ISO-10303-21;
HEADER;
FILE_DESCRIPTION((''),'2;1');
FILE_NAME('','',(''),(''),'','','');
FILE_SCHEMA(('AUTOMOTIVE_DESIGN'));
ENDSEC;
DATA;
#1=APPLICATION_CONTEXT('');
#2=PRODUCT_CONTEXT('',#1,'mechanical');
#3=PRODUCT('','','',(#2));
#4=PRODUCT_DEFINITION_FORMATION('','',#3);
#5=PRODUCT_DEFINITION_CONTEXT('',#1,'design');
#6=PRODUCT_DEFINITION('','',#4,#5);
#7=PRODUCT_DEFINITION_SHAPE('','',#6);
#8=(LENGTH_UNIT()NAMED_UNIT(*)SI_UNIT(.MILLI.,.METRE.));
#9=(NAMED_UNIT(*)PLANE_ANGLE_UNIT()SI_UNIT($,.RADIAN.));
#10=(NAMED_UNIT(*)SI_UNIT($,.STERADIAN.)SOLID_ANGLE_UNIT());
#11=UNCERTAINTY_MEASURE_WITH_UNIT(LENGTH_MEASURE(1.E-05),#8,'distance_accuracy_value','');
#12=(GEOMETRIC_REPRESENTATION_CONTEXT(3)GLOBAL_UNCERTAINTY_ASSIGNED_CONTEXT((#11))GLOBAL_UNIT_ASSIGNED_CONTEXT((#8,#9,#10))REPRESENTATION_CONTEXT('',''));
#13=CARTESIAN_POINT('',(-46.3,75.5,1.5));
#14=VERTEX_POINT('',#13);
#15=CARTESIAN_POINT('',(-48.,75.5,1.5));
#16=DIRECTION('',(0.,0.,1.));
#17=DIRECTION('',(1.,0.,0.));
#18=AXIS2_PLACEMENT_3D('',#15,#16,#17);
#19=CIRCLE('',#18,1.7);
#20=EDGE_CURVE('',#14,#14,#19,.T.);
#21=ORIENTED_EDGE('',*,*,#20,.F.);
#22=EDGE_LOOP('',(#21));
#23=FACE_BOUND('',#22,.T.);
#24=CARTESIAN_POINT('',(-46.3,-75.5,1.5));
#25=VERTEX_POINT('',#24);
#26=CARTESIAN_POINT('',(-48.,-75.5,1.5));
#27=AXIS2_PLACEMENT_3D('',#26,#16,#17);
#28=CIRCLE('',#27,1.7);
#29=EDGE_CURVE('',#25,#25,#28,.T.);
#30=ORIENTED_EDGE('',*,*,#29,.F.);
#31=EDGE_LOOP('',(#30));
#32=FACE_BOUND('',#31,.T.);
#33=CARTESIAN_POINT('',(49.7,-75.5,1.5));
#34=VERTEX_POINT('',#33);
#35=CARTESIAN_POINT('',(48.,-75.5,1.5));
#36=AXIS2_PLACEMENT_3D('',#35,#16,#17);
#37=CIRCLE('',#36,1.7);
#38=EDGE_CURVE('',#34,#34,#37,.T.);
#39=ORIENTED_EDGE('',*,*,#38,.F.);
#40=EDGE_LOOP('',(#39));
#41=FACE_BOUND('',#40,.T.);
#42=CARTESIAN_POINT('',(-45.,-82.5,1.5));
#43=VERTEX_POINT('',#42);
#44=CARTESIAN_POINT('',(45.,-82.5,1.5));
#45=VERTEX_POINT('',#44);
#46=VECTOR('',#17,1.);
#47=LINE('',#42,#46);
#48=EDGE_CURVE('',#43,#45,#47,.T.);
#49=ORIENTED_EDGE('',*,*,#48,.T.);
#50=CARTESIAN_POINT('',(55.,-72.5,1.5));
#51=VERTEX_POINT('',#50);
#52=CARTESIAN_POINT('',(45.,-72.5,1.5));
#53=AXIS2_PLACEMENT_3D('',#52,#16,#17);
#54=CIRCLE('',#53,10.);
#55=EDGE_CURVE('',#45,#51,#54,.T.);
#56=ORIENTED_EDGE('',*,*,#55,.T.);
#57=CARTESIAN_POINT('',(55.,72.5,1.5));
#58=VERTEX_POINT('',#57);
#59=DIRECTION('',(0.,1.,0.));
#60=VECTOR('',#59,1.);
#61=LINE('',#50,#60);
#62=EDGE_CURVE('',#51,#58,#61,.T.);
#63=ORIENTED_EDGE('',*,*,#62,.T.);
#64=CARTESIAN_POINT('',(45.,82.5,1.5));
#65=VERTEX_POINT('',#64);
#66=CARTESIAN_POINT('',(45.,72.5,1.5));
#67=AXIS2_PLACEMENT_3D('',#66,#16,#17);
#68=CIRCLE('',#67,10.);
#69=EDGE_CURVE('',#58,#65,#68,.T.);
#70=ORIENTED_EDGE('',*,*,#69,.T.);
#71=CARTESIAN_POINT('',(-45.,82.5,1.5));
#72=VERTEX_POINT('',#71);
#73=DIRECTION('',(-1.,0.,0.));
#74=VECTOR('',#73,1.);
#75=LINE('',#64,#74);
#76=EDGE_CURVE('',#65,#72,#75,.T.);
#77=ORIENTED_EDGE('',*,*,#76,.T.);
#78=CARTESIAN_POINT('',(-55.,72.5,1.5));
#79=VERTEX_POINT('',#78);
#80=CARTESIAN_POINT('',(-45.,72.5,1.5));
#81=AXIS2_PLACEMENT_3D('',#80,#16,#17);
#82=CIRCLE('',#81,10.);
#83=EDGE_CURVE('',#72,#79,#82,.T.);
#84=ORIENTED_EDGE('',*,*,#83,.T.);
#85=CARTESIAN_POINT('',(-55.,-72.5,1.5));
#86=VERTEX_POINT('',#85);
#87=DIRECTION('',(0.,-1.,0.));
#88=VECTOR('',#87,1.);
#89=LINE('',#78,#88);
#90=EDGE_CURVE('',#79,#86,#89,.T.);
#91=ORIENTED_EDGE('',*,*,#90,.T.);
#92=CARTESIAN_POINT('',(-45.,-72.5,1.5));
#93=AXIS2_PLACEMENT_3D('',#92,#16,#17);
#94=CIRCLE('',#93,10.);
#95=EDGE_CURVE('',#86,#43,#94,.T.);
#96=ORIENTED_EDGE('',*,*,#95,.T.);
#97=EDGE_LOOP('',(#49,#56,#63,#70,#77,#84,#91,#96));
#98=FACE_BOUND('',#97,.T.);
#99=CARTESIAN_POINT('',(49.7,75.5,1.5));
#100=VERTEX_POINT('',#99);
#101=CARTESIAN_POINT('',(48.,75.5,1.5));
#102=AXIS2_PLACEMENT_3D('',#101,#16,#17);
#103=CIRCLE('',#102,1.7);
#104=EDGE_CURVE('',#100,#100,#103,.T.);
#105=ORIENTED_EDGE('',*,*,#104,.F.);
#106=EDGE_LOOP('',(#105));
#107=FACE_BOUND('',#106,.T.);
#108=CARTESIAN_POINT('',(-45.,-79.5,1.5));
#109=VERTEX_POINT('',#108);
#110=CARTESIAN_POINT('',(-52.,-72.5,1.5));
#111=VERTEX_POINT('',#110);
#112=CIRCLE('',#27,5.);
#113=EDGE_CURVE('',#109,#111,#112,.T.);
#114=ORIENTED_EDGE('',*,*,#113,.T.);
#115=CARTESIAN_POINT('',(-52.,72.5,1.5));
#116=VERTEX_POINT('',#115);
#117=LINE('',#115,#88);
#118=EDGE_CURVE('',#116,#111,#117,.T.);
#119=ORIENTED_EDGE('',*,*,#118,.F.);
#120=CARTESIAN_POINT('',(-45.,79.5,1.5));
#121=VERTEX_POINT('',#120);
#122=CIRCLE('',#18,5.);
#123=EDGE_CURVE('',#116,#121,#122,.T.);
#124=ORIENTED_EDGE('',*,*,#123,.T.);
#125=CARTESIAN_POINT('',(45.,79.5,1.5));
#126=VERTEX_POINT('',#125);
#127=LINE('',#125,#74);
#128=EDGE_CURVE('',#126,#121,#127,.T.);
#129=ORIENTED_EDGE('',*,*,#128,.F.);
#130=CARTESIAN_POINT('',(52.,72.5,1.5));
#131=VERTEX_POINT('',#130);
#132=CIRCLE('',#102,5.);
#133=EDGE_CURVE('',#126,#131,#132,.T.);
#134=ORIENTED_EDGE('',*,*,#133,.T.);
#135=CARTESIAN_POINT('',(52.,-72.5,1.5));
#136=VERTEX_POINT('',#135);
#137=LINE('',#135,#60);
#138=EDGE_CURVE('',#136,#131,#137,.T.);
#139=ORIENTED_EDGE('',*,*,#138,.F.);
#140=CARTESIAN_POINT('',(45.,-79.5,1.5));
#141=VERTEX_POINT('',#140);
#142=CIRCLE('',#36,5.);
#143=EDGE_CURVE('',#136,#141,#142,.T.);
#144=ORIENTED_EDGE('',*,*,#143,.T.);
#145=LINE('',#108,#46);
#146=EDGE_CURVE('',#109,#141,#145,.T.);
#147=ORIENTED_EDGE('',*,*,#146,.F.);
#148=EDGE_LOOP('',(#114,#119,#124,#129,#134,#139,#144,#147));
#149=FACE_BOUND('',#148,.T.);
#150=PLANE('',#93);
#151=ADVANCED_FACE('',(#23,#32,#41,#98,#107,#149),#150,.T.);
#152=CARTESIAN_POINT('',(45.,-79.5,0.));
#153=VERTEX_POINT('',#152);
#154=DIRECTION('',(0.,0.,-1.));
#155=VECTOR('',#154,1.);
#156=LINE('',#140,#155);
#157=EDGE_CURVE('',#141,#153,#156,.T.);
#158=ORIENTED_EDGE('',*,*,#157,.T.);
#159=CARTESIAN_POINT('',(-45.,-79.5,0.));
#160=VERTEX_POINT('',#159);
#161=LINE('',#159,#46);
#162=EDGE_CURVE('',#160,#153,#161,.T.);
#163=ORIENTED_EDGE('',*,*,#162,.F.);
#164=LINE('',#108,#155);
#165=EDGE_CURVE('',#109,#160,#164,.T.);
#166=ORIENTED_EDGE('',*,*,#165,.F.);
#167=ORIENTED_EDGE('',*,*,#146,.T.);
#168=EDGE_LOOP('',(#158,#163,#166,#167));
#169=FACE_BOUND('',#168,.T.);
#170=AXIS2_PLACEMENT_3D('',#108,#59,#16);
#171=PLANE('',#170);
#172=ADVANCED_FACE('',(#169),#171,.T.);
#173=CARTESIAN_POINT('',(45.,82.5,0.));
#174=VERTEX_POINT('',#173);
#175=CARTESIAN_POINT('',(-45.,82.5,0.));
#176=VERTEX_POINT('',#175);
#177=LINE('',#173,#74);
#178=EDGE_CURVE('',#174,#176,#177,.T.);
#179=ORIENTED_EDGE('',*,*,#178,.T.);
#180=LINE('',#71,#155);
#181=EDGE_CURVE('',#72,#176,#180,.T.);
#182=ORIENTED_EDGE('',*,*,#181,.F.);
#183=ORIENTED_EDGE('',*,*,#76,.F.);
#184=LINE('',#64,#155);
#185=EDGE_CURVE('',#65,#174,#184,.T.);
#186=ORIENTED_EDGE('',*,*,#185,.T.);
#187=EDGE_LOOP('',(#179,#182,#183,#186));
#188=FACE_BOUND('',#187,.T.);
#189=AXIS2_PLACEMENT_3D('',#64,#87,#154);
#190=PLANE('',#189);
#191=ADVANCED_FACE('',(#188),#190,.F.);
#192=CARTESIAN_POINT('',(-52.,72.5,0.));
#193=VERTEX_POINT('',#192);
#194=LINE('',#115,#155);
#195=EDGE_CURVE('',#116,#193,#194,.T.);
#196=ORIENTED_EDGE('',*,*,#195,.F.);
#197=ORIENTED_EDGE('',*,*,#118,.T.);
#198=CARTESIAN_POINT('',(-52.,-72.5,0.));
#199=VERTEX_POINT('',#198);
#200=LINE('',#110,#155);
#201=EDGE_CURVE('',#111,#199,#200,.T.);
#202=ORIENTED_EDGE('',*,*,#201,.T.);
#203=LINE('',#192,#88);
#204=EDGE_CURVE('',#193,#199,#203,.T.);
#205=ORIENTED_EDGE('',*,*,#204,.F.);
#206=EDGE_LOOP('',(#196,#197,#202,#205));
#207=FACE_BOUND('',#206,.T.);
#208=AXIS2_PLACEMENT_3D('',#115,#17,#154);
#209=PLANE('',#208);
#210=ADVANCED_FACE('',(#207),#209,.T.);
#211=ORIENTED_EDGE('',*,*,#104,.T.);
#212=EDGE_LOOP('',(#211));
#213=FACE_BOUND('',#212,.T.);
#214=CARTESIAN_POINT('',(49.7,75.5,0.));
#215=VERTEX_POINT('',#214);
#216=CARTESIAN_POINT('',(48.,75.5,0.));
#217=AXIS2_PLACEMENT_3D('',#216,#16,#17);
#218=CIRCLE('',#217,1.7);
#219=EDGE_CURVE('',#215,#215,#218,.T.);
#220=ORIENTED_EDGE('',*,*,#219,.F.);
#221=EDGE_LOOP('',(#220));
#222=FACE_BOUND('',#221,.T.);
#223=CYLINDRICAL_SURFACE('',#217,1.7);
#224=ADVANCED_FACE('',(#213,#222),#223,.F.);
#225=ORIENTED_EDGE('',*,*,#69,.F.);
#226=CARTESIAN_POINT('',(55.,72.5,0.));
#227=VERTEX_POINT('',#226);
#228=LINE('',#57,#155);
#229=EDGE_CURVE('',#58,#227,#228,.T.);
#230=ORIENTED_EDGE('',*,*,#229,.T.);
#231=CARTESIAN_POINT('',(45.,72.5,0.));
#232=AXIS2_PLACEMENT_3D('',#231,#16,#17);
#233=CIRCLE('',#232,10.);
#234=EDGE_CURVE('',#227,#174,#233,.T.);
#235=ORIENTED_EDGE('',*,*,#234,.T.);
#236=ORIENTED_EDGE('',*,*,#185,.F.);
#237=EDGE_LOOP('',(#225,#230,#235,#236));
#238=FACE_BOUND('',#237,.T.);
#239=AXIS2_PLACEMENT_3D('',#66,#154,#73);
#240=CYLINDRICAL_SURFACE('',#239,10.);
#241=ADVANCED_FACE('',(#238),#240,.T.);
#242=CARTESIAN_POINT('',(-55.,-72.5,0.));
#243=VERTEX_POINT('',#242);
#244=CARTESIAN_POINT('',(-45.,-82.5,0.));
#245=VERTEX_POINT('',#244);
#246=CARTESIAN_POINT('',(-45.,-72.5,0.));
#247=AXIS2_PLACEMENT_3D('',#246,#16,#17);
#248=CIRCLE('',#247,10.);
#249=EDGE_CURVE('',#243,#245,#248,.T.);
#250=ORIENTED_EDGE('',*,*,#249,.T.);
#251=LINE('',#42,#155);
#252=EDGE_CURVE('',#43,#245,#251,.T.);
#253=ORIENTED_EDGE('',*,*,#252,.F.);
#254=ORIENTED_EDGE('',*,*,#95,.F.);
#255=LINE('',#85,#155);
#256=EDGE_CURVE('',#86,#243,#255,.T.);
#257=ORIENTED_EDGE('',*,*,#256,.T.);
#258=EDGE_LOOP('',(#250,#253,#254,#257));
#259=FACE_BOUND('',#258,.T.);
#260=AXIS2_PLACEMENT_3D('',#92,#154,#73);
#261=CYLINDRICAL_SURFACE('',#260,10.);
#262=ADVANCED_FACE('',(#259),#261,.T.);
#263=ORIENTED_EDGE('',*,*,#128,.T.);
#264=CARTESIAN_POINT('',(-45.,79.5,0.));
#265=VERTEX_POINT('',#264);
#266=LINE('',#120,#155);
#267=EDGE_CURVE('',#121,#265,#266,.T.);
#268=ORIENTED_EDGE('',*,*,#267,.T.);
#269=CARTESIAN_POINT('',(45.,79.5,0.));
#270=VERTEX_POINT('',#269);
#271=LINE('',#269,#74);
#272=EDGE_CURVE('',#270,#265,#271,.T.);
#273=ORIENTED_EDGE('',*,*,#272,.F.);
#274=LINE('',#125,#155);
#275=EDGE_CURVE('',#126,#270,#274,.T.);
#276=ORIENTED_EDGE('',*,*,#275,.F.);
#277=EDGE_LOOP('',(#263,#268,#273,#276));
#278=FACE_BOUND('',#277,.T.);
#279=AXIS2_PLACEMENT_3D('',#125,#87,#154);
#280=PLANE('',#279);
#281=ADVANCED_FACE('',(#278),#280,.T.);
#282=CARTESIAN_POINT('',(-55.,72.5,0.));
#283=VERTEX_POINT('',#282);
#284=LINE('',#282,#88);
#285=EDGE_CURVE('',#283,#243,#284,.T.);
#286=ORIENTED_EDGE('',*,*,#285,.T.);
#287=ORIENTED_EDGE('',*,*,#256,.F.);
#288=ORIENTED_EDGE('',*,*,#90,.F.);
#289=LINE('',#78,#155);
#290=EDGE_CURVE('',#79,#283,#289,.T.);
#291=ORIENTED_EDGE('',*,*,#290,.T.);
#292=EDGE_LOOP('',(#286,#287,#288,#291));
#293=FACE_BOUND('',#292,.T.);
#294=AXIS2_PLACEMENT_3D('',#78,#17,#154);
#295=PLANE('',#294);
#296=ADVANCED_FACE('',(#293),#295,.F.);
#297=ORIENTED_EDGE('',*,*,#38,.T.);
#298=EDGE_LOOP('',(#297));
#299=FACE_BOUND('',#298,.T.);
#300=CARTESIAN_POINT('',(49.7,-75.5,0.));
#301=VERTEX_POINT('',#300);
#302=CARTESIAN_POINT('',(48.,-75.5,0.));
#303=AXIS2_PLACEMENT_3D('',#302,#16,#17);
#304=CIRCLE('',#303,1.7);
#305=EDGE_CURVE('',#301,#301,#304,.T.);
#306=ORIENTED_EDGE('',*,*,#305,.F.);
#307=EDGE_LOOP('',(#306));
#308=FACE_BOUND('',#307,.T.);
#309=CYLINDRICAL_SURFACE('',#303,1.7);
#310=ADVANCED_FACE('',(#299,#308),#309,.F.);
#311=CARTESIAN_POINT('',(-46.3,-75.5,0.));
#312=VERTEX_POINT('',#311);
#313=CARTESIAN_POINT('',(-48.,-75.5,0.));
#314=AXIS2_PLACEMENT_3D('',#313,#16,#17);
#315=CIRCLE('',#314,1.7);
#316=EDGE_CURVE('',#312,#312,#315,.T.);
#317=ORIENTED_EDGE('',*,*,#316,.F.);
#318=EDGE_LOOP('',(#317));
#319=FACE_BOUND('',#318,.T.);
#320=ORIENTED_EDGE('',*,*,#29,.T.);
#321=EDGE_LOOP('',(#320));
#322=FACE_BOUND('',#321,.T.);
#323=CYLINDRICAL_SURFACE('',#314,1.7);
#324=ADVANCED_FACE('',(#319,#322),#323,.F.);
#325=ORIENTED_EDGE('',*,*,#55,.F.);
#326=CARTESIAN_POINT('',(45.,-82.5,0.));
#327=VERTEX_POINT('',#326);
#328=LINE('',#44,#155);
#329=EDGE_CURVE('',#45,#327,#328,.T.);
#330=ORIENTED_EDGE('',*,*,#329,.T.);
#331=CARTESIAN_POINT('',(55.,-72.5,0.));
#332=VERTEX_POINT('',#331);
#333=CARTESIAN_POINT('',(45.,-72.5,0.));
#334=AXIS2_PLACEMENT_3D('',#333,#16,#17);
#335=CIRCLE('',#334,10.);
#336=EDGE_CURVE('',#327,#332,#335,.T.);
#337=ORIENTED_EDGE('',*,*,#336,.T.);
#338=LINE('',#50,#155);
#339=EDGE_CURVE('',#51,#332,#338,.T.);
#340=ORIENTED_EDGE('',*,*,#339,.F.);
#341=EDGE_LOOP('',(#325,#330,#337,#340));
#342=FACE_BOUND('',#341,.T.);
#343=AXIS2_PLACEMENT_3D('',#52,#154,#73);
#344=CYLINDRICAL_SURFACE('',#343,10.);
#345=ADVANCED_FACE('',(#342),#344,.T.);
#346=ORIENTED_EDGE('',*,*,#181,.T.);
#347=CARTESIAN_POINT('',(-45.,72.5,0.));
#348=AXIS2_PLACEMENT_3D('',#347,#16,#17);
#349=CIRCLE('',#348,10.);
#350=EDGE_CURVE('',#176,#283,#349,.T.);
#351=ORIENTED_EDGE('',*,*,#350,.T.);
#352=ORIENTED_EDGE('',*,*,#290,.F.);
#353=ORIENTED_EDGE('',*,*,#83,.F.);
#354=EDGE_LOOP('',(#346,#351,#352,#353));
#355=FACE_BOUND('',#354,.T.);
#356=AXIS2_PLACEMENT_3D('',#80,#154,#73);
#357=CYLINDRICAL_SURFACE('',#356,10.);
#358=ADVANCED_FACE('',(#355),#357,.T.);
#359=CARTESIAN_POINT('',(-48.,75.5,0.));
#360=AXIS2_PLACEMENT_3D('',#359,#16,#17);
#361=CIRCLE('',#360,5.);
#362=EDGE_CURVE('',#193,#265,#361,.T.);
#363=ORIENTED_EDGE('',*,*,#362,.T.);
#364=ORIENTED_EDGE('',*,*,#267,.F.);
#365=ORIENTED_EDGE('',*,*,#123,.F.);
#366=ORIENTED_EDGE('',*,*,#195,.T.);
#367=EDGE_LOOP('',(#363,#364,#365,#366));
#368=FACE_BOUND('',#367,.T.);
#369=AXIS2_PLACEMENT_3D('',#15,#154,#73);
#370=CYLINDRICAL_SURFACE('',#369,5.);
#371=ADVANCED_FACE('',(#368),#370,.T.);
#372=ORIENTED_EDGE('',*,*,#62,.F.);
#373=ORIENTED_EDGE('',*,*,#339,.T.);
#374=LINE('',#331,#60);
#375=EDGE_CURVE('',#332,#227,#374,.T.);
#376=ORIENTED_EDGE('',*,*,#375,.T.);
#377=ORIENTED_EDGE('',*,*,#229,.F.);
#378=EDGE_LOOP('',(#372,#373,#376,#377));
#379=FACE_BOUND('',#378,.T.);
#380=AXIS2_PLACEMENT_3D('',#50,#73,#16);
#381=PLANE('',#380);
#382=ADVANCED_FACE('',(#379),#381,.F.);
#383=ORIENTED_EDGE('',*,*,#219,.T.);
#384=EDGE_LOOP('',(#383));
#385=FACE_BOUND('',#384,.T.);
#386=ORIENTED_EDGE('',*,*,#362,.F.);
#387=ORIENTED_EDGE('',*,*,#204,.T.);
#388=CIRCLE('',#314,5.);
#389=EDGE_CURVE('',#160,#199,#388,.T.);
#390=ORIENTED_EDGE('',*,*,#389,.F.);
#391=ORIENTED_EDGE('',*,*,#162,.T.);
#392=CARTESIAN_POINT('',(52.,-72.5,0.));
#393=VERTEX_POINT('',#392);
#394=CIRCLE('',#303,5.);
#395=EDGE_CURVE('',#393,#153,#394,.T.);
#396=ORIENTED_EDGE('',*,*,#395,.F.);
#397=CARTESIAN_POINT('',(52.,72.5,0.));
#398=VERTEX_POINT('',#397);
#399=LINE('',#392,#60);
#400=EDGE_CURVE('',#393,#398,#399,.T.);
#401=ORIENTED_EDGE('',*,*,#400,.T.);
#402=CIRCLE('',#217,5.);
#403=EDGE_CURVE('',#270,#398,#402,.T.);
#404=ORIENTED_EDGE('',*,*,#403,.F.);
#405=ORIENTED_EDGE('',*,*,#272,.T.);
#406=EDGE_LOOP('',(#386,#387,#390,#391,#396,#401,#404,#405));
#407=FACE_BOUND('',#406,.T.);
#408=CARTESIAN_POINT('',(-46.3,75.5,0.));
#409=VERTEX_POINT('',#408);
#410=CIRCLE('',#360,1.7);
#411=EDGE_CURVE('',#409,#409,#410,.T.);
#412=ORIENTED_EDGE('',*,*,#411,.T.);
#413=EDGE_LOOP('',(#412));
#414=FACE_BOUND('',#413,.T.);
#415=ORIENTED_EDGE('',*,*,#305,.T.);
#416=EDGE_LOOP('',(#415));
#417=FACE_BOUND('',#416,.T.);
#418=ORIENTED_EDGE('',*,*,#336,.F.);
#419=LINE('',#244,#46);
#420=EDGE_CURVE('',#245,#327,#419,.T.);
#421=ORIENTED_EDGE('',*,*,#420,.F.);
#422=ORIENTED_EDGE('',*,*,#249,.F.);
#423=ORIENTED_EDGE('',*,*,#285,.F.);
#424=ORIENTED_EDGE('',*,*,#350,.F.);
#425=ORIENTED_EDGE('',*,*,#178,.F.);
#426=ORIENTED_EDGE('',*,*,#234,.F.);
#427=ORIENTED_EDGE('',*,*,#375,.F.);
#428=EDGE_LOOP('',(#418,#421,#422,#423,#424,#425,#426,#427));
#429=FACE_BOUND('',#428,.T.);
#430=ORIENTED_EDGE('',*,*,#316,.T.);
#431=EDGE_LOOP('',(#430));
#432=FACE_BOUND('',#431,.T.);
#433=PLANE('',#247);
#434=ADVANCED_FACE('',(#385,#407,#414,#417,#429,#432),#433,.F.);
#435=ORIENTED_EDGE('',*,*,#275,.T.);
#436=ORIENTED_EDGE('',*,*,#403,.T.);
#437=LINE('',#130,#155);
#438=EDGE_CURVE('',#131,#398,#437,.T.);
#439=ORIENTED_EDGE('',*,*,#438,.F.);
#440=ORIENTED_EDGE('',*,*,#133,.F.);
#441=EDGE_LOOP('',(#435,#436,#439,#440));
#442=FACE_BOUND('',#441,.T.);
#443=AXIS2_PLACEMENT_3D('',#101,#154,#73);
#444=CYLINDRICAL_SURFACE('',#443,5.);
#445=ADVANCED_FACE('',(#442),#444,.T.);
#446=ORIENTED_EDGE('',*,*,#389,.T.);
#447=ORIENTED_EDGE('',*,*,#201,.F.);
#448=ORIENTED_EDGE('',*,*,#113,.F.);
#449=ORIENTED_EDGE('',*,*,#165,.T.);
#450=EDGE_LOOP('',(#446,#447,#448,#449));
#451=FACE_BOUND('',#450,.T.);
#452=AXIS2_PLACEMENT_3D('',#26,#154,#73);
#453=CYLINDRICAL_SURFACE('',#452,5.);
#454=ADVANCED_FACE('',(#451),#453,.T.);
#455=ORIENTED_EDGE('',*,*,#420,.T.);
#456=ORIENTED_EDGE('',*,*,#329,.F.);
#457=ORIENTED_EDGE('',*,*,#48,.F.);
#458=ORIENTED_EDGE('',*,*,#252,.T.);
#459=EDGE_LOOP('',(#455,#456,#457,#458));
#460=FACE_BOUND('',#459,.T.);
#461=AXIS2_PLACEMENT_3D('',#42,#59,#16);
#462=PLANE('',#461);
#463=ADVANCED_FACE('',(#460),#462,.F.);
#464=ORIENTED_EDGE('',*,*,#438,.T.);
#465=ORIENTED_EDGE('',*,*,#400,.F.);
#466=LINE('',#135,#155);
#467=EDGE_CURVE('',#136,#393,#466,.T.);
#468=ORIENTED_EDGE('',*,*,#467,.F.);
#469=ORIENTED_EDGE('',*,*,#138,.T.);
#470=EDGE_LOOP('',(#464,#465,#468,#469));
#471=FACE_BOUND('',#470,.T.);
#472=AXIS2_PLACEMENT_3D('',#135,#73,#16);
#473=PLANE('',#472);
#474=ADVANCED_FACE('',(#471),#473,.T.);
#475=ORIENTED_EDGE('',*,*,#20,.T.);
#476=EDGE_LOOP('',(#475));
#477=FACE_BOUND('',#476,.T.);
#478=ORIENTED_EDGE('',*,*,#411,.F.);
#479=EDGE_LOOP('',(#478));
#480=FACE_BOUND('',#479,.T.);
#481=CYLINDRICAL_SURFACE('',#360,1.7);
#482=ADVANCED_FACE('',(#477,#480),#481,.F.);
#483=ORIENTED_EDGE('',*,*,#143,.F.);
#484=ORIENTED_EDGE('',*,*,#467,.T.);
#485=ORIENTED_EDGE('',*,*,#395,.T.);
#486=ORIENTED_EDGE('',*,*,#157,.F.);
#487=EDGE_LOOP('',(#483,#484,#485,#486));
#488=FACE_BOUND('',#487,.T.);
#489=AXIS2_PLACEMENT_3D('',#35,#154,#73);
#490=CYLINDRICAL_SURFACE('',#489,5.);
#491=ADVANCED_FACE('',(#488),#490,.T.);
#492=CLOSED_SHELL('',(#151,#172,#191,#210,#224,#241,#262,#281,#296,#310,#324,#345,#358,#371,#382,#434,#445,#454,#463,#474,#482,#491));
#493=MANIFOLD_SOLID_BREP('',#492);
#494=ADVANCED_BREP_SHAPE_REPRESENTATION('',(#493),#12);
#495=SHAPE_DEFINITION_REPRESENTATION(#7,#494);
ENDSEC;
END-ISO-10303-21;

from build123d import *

# Parameters (mm, degrees)
BOSS_EXTRUDE1_DEPTH = 1.5
SKETCH2_R           = 5
BOSS_EXTRUDE2_DEPTH = 1.5
SKETCH3_R           = 1.7
CUT_EXTRUDE1_DEPTH  = 100.164005567


with BuildPart() as part:
    # Sketch1 → Boss-Extrude1 (new body)
    with BuildSketch(Plane.XY):
        with BuildLine():
            Line((-45, -82.5), (45, -82.5))
            ThreePointArc((45, -82.5), (52.071067812, -79.571067812), (55, -72.5))
            Line((55, -72.5), (55, 72.5))
            ThreePointArc((55, 72.5), (52.071067812, 79.571067812), (45, 82.5))
            Line((45, 82.5), (-45, 82.5))
            ThreePointArc((-45, 82.5), (-52.071067812, 79.571067812), (-55, 72.5))
            Line((-55, 72.5), (-55, -72.5))
            ThreePointArc((-55, -72.5), (-52.071067812, -79.571067812), (-45, -82.5))
        make_face()
        with BuildLine():
            Line((-45, -79.5), (45, -79.5))
            ThreePointArc((45, -79.5), (49.949747468, -77.449747468), (52, -72.5))
            Line((52, -72.5), (52, 72.5))
            ThreePointArc((52, 72.5), (49.949747468, 77.449747468), (45, 79.5))
            Line((45, 79.5), (-45, 79.5))
            ThreePointArc((-45, 79.5), (-49.949747468, 77.449747468), (-52, 72.5))
            Line((-52, 72.5), (-52, -72.5))
            ThreePointArc((-52, -72.5), (-49.949747468, -77.449747468), (-45, -79.5))
        make_face(mode=Mode.SUBTRACT)
    extrude(amount=BOSS_EXTRUDE1_DEPTH)

    # Sketch2 → Boss-Extrude2 (add)
    with BuildSketch(Plane.XY):
        with Locations((-48, -75.5)):
            Circle(SKETCH2_R)
        with Locations((-48, 75.5)):
            Circle(SKETCH2_R)
        with Locations((48, -75.5)):
            Circle(SKETCH2_R)
        with Locations((48, 75.5)):
            Circle(SKETCH2_R)
    extrude(amount=BOSS_EXTRUDE2_DEPTH)

    # Sketch3 → Cut-Extrude1 (cut, through all)
    with BuildSketch(Plane.XY.offset(1.5)):
        with Locations((-48, -75.5)):
            Circle(SKETCH3_R)
        with Locations((-48, 75.5)):
            Circle(SKETCH3_R)
        with Locations((48, -75.5)):
            Circle(SKETCH3_R)
        with Locations((48, 75.5)):
            Circle(SKETCH3_R)
    extrude(amount=-CUT_EXTRUDE1_DEPTH, mode=Mode.SUBTRACT)


solid = part.part
